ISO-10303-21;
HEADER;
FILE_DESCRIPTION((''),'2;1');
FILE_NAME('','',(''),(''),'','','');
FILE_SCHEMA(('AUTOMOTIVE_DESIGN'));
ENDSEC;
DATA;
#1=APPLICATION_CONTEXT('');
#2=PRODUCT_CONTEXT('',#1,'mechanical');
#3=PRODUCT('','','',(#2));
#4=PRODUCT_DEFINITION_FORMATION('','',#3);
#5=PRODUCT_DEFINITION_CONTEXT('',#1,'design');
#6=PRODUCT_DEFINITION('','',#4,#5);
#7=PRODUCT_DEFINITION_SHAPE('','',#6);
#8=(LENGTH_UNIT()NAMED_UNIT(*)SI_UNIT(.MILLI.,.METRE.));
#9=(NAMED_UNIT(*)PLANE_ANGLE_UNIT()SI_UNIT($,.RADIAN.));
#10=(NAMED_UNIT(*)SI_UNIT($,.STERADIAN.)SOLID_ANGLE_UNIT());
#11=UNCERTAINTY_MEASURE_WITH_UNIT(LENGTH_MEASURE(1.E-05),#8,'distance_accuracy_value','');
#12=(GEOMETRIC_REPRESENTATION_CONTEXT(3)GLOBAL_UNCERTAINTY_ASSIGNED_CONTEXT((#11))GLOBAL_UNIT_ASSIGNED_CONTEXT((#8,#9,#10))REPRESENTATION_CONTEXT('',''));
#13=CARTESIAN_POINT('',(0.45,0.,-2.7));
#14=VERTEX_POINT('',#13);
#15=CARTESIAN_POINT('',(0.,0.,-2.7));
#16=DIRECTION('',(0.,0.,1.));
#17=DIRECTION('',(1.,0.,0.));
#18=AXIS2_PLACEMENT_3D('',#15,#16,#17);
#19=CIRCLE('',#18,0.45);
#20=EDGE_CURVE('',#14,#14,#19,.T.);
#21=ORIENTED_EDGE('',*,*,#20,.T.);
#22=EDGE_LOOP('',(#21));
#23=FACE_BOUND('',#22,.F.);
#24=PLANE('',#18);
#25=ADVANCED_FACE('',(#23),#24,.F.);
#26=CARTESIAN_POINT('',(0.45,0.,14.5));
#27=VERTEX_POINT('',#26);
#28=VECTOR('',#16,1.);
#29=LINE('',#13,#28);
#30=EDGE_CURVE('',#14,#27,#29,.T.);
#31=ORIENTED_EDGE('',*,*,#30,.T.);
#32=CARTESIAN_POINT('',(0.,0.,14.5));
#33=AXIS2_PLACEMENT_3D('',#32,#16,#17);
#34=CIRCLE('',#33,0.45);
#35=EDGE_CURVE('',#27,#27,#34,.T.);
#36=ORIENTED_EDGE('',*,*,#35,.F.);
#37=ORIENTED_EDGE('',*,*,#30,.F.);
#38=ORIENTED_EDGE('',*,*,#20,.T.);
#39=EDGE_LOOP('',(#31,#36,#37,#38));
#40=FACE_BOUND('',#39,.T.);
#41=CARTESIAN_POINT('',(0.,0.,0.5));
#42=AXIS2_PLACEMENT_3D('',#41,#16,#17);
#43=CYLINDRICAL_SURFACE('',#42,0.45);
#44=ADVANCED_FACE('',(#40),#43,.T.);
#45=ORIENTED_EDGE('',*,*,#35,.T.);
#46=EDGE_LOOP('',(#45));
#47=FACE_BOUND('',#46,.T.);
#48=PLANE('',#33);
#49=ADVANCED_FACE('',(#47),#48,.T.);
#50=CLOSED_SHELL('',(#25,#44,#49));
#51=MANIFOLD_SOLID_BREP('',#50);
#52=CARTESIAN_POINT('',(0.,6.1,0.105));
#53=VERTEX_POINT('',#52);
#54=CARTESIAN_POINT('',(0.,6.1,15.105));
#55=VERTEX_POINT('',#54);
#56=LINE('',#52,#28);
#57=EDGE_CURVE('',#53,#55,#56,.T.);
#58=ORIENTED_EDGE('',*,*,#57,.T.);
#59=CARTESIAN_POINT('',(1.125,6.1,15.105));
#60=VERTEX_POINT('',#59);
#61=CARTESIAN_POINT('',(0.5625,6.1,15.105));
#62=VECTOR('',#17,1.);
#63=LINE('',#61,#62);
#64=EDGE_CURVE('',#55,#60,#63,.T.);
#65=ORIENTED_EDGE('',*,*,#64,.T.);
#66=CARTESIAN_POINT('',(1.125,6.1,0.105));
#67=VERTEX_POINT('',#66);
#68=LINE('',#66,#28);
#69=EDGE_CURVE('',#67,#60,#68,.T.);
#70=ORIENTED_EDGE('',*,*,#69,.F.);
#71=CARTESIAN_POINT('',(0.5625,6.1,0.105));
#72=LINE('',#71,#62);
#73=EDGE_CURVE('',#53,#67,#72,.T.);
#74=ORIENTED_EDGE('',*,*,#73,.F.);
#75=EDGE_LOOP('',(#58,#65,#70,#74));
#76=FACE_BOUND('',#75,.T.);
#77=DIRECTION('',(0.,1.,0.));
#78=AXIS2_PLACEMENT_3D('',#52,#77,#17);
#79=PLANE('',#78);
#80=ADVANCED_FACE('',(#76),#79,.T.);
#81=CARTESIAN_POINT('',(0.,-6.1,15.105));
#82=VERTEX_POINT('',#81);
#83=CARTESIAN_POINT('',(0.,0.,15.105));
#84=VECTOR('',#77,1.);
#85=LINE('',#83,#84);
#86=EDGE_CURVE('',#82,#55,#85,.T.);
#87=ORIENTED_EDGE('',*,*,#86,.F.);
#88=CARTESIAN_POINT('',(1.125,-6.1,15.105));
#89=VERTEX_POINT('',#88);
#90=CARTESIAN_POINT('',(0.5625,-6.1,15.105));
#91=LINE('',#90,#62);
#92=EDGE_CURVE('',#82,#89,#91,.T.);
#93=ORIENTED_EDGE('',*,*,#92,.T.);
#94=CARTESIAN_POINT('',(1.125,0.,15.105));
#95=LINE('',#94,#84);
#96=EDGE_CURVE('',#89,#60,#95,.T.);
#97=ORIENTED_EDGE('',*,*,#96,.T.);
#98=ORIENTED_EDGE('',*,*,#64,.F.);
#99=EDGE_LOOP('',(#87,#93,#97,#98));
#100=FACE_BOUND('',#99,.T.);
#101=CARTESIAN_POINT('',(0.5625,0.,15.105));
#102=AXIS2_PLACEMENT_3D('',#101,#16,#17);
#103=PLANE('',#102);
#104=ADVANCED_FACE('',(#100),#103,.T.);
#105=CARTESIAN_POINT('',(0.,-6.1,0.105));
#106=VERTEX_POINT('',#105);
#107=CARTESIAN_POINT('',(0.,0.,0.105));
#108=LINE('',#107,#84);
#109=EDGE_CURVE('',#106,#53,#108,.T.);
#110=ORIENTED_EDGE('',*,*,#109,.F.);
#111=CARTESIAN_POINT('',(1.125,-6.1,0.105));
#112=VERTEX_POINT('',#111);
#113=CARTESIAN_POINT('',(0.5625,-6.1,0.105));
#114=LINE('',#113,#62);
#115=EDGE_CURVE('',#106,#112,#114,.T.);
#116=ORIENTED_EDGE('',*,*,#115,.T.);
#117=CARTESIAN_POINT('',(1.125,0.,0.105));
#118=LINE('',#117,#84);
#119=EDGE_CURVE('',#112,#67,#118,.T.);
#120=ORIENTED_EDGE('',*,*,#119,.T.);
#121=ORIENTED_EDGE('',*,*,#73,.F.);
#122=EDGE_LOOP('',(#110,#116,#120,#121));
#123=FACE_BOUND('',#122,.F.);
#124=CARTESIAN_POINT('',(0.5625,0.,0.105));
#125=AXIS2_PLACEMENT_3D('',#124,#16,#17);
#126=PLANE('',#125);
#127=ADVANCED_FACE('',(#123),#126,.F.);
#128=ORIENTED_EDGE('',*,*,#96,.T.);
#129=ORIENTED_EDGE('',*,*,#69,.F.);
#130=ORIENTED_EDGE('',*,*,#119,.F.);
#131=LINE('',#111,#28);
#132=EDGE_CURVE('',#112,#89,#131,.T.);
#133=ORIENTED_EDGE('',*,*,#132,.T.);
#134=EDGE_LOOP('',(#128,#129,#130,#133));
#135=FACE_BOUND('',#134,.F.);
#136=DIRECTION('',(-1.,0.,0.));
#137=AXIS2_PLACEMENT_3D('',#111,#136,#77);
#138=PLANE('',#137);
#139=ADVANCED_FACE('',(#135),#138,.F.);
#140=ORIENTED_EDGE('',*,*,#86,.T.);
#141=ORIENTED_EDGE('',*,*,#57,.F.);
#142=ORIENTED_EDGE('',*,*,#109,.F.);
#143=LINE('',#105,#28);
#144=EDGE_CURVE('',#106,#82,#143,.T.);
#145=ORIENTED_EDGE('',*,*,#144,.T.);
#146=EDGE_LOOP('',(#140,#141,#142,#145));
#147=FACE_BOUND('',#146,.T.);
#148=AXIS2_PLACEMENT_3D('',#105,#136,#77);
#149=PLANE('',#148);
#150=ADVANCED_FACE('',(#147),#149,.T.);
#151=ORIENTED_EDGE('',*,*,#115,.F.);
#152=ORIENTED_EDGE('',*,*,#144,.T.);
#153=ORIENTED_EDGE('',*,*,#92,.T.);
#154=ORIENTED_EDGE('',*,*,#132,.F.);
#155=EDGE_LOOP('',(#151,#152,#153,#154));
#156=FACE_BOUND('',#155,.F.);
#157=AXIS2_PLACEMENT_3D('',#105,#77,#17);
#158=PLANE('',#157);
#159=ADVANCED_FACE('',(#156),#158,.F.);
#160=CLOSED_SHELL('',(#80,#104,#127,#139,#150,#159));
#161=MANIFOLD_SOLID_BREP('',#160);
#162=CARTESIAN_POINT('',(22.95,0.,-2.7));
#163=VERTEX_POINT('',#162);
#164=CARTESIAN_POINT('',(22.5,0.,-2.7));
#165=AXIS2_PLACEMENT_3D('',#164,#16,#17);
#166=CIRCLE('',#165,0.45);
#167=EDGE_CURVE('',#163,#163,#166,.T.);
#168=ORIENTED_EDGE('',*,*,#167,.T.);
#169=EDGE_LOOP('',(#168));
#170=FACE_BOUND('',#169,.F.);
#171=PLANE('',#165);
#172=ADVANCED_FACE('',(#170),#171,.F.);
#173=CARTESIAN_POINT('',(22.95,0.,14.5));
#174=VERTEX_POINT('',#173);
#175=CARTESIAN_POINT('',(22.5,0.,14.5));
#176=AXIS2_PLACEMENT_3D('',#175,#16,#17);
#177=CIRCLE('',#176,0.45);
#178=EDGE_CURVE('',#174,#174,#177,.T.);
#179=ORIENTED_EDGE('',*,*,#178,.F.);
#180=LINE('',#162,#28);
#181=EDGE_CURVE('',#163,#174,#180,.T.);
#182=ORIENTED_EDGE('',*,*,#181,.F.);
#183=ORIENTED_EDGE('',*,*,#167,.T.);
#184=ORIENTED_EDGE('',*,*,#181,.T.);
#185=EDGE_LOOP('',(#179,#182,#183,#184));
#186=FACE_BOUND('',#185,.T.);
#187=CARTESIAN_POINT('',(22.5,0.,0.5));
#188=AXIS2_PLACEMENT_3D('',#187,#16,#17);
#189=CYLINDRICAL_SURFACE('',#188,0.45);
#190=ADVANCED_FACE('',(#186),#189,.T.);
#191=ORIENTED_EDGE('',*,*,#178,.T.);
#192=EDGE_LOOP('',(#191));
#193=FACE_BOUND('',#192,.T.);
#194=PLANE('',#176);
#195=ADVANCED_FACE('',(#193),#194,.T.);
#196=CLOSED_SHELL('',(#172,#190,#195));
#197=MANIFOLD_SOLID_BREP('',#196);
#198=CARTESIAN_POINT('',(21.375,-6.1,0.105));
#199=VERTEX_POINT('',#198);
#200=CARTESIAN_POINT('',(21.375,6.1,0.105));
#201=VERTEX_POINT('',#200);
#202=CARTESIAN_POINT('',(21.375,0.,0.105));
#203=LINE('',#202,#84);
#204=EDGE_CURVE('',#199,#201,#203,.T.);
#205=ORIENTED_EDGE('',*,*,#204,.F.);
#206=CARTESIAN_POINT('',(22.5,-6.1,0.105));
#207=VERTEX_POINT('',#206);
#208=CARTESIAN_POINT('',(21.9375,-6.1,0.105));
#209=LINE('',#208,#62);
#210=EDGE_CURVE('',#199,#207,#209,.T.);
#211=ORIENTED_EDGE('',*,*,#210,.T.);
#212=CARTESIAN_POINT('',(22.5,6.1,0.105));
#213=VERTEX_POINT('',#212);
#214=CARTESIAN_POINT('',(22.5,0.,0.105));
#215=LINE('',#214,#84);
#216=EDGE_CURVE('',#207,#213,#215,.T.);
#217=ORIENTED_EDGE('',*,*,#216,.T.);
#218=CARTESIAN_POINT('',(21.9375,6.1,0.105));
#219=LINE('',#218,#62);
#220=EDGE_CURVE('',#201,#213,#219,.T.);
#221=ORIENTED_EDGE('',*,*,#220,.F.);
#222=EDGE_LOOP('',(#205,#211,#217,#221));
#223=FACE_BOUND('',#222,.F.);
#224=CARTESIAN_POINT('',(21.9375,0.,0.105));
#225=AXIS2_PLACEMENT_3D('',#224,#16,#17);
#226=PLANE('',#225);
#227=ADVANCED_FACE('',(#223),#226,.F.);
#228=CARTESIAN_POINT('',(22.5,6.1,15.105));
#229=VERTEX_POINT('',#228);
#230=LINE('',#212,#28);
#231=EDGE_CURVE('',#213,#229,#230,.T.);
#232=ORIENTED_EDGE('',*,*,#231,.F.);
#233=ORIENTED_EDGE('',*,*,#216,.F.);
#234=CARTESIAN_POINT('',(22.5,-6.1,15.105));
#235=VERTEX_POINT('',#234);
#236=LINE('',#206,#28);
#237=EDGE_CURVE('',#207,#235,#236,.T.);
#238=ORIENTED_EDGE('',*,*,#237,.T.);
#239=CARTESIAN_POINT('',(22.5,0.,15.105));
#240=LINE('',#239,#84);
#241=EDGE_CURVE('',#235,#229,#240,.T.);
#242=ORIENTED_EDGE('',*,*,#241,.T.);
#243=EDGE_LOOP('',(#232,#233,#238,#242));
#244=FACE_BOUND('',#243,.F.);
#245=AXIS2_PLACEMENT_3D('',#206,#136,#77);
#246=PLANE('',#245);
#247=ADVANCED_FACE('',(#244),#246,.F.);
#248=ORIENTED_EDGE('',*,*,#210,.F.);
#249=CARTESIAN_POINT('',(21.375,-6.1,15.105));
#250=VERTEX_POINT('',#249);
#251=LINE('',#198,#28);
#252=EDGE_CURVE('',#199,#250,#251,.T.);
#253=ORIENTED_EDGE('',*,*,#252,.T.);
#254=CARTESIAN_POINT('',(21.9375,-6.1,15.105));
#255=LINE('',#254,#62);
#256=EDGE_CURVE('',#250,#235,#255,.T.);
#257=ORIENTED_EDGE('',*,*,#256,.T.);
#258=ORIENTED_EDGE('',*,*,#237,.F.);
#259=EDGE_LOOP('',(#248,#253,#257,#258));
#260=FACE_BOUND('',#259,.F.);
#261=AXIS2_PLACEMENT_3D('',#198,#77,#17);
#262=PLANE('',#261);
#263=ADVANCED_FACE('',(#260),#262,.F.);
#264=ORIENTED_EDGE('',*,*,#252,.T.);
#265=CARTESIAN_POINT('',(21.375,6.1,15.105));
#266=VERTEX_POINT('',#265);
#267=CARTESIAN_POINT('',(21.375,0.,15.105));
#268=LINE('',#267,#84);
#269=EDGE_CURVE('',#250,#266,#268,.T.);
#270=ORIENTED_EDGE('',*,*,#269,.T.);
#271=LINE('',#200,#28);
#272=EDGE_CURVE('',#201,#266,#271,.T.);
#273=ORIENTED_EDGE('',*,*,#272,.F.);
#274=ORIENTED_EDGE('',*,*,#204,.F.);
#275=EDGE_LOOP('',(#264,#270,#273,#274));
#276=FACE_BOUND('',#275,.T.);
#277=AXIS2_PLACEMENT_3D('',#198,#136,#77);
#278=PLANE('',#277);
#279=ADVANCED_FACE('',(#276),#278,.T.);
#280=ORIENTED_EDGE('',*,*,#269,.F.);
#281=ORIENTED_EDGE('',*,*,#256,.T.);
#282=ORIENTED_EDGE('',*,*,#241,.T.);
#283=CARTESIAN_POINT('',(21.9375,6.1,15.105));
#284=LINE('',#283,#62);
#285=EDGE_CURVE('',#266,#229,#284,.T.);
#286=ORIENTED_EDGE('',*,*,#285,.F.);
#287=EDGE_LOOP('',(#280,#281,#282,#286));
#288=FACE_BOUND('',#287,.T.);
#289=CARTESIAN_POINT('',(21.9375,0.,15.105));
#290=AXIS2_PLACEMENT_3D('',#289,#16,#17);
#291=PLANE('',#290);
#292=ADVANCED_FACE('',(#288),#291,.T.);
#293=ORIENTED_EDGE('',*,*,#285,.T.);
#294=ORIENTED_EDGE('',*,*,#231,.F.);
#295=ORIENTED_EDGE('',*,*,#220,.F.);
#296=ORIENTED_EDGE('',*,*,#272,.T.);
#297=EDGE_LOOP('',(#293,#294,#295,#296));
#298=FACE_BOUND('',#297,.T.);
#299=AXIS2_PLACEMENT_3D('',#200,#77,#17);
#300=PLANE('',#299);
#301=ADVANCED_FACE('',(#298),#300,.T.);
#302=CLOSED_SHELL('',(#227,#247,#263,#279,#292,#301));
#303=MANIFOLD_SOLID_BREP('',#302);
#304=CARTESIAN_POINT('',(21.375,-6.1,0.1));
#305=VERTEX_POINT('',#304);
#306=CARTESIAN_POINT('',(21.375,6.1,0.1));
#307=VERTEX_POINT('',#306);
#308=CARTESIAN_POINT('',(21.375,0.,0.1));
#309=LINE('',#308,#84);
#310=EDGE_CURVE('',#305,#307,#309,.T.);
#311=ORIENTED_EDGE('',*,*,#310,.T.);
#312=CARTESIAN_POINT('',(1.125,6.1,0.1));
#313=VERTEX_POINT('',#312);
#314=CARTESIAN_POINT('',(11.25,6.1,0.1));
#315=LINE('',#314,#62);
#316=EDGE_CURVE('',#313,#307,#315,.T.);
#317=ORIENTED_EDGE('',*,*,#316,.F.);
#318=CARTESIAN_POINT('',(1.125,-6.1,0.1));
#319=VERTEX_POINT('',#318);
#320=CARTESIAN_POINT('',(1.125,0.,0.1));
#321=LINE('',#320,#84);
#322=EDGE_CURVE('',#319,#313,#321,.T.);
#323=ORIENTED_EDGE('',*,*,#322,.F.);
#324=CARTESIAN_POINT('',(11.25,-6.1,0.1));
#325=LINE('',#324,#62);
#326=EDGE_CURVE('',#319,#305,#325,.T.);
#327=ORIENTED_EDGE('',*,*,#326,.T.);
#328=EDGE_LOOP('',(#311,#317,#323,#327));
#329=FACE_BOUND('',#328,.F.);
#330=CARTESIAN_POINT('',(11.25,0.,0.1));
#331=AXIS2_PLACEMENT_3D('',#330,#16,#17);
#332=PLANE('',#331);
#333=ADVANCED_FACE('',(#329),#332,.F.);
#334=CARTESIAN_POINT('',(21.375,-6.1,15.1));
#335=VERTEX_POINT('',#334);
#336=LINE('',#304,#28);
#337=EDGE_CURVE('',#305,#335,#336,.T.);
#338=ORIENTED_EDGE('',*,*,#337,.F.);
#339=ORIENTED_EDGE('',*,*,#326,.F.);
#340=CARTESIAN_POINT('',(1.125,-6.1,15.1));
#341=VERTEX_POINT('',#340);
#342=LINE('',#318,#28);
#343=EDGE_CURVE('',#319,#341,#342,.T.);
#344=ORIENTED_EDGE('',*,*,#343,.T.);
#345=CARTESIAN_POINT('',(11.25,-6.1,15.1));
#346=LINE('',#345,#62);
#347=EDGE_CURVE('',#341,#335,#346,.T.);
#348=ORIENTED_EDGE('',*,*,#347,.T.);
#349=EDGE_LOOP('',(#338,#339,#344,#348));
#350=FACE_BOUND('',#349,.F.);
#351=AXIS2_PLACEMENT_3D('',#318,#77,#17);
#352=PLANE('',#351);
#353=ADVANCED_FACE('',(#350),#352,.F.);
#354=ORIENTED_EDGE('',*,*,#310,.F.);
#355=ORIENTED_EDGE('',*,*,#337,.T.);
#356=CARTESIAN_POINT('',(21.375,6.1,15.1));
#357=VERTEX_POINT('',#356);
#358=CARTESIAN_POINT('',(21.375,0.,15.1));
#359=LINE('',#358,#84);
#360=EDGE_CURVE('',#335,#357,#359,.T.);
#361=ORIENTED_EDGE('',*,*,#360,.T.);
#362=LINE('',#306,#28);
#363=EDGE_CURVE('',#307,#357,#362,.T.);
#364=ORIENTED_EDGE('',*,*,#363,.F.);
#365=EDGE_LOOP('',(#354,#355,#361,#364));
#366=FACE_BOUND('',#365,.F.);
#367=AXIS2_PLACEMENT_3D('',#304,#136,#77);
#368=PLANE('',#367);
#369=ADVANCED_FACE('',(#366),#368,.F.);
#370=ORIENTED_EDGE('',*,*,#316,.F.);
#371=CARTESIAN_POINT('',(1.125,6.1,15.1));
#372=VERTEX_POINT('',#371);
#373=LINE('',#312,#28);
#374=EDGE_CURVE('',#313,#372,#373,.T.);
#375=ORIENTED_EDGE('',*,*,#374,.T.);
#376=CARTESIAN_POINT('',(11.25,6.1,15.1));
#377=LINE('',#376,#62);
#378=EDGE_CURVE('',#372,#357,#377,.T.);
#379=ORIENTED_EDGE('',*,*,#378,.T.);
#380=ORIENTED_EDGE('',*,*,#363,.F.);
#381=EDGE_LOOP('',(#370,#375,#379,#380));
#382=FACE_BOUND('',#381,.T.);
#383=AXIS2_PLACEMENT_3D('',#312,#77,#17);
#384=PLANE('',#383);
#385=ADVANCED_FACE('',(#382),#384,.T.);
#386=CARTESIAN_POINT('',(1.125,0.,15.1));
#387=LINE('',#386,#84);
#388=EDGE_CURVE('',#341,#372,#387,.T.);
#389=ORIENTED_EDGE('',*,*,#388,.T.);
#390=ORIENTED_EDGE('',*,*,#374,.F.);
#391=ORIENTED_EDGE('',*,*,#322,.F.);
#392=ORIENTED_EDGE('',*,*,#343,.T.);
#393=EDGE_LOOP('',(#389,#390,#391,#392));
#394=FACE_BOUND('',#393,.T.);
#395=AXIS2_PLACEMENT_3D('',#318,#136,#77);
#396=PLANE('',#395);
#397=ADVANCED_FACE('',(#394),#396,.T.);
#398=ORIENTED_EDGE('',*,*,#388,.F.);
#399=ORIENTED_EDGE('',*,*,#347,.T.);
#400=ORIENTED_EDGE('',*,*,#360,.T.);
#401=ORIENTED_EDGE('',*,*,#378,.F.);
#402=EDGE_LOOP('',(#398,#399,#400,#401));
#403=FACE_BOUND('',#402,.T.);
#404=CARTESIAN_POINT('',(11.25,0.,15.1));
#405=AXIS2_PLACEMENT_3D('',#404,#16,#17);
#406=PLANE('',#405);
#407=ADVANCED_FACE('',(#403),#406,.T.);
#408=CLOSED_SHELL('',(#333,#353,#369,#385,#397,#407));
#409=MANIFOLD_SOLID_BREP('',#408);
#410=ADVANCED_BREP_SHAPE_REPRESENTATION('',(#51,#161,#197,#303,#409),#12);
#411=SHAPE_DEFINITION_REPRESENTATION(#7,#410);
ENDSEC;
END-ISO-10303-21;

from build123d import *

# Parameters (mm, degrees)
SKETCH_W          = 20.25
SKETCH_H          = 12.2
PAD_DEPTH         = 15
SKETCH001_R       = 0.45
PAD001_DEPTH      = 14
PAD001_DEPTH_BACK = 3.2
SKETCH002_W       = 1.125
SKETCH002_H       = 12.2
PAD002_DEPTH      = 15


with BuildPart() as pad:
    # Sketch → Pad (new body)
    with BuildSketch(Plane.XY.offset(0.1)):
        with Locations((11.25, 0)):
            Rectangle(SKETCH_W, SKETCH_H)
    extrude(amount=PAD_DEPTH)


with BuildPart() as pad001:
    # Sketch001 → Pad001 (new body, two sides)
    with BuildSketch(Plane.XY.offset(0.5)) as pad001_sk:
        Circle(SKETCH001_R)
        with Locations((22.5, 0)):
            Circle(SKETCH001_R)
    extrude(amount=PAD001_DEPTH)
    extrude(pad001_sk.sketch, amount=-PAD001_DEPTH_BACK)


with BuildPart() as pad002:
    # Sketch002 → Pad002 (new body)
    with BuildSketch(Plane.XY.offset(0.105)):
        with Locations((0.5625, 0)):
            Rectangle(SKETCH002_W, SKETCH002_H)
        with Locations((21.9375, 0)):
            Rectangle(SKETCH002_W, SKETCH002_H)
    extrude(amount=PAD002_DEPTH)


solid = Compound([pad.part, pad001.part, pad002.part])
